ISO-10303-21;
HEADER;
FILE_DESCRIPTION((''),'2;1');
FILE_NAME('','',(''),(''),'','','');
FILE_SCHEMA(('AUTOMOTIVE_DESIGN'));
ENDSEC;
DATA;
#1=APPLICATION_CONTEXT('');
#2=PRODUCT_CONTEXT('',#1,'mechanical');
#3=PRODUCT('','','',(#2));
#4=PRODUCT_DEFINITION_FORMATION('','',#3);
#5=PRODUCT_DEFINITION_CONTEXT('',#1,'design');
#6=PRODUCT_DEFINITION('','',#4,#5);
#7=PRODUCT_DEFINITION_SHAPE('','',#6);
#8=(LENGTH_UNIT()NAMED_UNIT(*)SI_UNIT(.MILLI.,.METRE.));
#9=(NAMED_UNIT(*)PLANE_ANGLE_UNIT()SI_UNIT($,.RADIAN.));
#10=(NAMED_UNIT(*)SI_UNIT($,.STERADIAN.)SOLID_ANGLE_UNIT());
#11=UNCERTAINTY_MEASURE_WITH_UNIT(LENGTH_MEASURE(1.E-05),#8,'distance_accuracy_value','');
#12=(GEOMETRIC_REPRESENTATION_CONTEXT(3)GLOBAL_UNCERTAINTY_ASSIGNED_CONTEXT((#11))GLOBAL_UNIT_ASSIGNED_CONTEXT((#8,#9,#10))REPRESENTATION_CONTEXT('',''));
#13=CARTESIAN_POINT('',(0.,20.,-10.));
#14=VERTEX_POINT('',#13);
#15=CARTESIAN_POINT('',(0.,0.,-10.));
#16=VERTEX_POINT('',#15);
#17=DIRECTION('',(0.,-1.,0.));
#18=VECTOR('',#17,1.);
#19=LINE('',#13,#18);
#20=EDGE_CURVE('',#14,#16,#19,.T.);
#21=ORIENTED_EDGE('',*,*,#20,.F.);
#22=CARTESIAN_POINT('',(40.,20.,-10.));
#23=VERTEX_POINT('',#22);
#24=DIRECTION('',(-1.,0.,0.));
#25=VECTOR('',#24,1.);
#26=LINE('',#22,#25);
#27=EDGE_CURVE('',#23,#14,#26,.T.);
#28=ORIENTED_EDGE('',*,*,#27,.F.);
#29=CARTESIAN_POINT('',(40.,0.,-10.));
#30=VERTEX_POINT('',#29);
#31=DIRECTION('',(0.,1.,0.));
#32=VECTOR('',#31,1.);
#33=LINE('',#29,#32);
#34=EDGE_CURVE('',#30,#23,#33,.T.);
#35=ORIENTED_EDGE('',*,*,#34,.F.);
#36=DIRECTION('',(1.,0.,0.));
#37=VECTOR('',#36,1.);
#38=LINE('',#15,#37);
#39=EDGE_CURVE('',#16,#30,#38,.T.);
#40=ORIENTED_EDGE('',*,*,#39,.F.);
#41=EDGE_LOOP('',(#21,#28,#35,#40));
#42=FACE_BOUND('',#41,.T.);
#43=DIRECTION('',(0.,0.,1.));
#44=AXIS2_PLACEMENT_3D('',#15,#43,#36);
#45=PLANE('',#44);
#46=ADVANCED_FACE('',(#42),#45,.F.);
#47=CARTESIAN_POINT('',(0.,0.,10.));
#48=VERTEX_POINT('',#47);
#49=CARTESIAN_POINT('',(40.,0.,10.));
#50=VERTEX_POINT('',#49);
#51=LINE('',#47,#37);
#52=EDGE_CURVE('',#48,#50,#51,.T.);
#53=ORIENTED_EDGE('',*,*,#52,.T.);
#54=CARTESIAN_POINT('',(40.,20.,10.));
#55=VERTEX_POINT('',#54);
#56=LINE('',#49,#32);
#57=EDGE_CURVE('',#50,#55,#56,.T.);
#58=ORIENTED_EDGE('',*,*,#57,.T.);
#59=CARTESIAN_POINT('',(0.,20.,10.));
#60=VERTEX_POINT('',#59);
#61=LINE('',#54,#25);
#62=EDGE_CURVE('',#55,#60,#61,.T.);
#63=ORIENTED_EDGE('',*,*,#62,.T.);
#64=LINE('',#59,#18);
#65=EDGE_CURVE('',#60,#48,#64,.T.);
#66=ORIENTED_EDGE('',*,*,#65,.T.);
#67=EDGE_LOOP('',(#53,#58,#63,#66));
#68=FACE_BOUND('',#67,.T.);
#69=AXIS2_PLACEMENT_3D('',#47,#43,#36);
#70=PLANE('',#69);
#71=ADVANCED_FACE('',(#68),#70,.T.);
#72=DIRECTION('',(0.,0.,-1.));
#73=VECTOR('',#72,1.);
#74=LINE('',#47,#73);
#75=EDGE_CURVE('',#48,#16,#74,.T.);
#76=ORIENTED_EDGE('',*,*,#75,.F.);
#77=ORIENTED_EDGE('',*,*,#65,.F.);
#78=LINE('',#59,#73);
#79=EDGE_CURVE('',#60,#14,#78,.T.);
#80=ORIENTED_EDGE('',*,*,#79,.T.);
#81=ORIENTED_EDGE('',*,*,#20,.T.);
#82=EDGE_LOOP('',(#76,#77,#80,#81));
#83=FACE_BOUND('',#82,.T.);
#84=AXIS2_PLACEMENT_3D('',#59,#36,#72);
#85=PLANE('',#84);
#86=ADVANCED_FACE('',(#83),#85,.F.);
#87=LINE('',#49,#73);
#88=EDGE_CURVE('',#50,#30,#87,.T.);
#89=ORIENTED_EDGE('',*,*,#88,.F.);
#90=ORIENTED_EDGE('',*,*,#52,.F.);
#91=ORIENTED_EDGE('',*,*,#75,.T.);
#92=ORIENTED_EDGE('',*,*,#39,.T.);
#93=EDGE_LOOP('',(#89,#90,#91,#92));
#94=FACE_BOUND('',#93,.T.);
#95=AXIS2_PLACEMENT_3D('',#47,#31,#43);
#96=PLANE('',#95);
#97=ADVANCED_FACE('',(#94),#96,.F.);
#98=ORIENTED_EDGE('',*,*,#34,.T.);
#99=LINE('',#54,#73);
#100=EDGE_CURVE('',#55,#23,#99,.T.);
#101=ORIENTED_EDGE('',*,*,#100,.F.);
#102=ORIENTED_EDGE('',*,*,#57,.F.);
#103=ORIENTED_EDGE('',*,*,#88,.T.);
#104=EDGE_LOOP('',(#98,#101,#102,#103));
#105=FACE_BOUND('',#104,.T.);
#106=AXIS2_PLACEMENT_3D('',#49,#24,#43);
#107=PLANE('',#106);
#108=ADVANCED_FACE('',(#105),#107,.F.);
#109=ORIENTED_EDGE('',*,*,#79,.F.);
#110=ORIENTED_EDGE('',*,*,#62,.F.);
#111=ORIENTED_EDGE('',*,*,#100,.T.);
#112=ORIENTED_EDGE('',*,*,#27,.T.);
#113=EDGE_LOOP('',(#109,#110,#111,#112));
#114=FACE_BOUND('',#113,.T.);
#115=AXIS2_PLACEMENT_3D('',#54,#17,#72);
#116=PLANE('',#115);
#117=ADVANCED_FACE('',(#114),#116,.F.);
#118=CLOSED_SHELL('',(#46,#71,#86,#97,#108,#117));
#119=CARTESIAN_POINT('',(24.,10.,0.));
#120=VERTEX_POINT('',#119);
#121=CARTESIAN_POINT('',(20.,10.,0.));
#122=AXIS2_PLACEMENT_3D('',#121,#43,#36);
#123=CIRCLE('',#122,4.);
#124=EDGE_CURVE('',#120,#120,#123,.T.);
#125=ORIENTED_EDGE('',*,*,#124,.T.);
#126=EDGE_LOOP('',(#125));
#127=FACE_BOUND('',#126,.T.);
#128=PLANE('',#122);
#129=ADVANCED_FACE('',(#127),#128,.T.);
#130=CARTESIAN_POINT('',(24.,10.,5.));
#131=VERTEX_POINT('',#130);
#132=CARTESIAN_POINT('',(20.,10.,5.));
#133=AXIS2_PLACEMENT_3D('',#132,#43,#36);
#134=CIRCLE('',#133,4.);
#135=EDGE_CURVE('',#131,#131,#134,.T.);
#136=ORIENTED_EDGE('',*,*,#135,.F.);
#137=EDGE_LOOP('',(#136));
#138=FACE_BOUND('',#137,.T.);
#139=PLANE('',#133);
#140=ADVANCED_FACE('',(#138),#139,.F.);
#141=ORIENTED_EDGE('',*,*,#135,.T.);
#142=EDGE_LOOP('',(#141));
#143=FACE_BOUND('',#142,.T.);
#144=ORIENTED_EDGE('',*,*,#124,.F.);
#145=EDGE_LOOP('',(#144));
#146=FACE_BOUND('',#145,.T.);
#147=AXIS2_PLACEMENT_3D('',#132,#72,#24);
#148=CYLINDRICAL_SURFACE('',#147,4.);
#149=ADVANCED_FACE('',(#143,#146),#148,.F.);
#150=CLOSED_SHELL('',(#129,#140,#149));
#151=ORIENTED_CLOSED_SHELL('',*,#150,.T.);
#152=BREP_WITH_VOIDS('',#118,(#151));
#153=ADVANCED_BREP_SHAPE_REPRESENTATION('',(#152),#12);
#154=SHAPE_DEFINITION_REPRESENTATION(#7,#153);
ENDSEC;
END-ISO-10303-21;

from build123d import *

# Parameters (mm, degrees)
SKETCH1_W           = 40
SKETCH1_H           = 20
BOSS_EXTRUDE1_DEPTH = 10
SKETCH2_R           = 4
CUT_EXTRUDE1_DEPTH  = 5


with BuildPart() as part:
    # Sketch1 → Boss-Extrude1 (new, symmetric)
    with BuildSketch(Plane.XY):
        with Locations((20, 10)):
            Rectangle(SKETCH1_W, SKETCH1_H)
    extrude(amount=BOSS_EXTRUDE1_DEPTH, both=True)

    # Sketch2 → Cut-Extrude1 (cut)
    with BuildSketch(Plane.XY):
        with Locations((20, 10)):
            Circle(SKETCH2_R)
    extrude(amount=CUT_EXTRUDE1_DEPTH, mode=Mode.SUBTRACT)


solid = part.part
